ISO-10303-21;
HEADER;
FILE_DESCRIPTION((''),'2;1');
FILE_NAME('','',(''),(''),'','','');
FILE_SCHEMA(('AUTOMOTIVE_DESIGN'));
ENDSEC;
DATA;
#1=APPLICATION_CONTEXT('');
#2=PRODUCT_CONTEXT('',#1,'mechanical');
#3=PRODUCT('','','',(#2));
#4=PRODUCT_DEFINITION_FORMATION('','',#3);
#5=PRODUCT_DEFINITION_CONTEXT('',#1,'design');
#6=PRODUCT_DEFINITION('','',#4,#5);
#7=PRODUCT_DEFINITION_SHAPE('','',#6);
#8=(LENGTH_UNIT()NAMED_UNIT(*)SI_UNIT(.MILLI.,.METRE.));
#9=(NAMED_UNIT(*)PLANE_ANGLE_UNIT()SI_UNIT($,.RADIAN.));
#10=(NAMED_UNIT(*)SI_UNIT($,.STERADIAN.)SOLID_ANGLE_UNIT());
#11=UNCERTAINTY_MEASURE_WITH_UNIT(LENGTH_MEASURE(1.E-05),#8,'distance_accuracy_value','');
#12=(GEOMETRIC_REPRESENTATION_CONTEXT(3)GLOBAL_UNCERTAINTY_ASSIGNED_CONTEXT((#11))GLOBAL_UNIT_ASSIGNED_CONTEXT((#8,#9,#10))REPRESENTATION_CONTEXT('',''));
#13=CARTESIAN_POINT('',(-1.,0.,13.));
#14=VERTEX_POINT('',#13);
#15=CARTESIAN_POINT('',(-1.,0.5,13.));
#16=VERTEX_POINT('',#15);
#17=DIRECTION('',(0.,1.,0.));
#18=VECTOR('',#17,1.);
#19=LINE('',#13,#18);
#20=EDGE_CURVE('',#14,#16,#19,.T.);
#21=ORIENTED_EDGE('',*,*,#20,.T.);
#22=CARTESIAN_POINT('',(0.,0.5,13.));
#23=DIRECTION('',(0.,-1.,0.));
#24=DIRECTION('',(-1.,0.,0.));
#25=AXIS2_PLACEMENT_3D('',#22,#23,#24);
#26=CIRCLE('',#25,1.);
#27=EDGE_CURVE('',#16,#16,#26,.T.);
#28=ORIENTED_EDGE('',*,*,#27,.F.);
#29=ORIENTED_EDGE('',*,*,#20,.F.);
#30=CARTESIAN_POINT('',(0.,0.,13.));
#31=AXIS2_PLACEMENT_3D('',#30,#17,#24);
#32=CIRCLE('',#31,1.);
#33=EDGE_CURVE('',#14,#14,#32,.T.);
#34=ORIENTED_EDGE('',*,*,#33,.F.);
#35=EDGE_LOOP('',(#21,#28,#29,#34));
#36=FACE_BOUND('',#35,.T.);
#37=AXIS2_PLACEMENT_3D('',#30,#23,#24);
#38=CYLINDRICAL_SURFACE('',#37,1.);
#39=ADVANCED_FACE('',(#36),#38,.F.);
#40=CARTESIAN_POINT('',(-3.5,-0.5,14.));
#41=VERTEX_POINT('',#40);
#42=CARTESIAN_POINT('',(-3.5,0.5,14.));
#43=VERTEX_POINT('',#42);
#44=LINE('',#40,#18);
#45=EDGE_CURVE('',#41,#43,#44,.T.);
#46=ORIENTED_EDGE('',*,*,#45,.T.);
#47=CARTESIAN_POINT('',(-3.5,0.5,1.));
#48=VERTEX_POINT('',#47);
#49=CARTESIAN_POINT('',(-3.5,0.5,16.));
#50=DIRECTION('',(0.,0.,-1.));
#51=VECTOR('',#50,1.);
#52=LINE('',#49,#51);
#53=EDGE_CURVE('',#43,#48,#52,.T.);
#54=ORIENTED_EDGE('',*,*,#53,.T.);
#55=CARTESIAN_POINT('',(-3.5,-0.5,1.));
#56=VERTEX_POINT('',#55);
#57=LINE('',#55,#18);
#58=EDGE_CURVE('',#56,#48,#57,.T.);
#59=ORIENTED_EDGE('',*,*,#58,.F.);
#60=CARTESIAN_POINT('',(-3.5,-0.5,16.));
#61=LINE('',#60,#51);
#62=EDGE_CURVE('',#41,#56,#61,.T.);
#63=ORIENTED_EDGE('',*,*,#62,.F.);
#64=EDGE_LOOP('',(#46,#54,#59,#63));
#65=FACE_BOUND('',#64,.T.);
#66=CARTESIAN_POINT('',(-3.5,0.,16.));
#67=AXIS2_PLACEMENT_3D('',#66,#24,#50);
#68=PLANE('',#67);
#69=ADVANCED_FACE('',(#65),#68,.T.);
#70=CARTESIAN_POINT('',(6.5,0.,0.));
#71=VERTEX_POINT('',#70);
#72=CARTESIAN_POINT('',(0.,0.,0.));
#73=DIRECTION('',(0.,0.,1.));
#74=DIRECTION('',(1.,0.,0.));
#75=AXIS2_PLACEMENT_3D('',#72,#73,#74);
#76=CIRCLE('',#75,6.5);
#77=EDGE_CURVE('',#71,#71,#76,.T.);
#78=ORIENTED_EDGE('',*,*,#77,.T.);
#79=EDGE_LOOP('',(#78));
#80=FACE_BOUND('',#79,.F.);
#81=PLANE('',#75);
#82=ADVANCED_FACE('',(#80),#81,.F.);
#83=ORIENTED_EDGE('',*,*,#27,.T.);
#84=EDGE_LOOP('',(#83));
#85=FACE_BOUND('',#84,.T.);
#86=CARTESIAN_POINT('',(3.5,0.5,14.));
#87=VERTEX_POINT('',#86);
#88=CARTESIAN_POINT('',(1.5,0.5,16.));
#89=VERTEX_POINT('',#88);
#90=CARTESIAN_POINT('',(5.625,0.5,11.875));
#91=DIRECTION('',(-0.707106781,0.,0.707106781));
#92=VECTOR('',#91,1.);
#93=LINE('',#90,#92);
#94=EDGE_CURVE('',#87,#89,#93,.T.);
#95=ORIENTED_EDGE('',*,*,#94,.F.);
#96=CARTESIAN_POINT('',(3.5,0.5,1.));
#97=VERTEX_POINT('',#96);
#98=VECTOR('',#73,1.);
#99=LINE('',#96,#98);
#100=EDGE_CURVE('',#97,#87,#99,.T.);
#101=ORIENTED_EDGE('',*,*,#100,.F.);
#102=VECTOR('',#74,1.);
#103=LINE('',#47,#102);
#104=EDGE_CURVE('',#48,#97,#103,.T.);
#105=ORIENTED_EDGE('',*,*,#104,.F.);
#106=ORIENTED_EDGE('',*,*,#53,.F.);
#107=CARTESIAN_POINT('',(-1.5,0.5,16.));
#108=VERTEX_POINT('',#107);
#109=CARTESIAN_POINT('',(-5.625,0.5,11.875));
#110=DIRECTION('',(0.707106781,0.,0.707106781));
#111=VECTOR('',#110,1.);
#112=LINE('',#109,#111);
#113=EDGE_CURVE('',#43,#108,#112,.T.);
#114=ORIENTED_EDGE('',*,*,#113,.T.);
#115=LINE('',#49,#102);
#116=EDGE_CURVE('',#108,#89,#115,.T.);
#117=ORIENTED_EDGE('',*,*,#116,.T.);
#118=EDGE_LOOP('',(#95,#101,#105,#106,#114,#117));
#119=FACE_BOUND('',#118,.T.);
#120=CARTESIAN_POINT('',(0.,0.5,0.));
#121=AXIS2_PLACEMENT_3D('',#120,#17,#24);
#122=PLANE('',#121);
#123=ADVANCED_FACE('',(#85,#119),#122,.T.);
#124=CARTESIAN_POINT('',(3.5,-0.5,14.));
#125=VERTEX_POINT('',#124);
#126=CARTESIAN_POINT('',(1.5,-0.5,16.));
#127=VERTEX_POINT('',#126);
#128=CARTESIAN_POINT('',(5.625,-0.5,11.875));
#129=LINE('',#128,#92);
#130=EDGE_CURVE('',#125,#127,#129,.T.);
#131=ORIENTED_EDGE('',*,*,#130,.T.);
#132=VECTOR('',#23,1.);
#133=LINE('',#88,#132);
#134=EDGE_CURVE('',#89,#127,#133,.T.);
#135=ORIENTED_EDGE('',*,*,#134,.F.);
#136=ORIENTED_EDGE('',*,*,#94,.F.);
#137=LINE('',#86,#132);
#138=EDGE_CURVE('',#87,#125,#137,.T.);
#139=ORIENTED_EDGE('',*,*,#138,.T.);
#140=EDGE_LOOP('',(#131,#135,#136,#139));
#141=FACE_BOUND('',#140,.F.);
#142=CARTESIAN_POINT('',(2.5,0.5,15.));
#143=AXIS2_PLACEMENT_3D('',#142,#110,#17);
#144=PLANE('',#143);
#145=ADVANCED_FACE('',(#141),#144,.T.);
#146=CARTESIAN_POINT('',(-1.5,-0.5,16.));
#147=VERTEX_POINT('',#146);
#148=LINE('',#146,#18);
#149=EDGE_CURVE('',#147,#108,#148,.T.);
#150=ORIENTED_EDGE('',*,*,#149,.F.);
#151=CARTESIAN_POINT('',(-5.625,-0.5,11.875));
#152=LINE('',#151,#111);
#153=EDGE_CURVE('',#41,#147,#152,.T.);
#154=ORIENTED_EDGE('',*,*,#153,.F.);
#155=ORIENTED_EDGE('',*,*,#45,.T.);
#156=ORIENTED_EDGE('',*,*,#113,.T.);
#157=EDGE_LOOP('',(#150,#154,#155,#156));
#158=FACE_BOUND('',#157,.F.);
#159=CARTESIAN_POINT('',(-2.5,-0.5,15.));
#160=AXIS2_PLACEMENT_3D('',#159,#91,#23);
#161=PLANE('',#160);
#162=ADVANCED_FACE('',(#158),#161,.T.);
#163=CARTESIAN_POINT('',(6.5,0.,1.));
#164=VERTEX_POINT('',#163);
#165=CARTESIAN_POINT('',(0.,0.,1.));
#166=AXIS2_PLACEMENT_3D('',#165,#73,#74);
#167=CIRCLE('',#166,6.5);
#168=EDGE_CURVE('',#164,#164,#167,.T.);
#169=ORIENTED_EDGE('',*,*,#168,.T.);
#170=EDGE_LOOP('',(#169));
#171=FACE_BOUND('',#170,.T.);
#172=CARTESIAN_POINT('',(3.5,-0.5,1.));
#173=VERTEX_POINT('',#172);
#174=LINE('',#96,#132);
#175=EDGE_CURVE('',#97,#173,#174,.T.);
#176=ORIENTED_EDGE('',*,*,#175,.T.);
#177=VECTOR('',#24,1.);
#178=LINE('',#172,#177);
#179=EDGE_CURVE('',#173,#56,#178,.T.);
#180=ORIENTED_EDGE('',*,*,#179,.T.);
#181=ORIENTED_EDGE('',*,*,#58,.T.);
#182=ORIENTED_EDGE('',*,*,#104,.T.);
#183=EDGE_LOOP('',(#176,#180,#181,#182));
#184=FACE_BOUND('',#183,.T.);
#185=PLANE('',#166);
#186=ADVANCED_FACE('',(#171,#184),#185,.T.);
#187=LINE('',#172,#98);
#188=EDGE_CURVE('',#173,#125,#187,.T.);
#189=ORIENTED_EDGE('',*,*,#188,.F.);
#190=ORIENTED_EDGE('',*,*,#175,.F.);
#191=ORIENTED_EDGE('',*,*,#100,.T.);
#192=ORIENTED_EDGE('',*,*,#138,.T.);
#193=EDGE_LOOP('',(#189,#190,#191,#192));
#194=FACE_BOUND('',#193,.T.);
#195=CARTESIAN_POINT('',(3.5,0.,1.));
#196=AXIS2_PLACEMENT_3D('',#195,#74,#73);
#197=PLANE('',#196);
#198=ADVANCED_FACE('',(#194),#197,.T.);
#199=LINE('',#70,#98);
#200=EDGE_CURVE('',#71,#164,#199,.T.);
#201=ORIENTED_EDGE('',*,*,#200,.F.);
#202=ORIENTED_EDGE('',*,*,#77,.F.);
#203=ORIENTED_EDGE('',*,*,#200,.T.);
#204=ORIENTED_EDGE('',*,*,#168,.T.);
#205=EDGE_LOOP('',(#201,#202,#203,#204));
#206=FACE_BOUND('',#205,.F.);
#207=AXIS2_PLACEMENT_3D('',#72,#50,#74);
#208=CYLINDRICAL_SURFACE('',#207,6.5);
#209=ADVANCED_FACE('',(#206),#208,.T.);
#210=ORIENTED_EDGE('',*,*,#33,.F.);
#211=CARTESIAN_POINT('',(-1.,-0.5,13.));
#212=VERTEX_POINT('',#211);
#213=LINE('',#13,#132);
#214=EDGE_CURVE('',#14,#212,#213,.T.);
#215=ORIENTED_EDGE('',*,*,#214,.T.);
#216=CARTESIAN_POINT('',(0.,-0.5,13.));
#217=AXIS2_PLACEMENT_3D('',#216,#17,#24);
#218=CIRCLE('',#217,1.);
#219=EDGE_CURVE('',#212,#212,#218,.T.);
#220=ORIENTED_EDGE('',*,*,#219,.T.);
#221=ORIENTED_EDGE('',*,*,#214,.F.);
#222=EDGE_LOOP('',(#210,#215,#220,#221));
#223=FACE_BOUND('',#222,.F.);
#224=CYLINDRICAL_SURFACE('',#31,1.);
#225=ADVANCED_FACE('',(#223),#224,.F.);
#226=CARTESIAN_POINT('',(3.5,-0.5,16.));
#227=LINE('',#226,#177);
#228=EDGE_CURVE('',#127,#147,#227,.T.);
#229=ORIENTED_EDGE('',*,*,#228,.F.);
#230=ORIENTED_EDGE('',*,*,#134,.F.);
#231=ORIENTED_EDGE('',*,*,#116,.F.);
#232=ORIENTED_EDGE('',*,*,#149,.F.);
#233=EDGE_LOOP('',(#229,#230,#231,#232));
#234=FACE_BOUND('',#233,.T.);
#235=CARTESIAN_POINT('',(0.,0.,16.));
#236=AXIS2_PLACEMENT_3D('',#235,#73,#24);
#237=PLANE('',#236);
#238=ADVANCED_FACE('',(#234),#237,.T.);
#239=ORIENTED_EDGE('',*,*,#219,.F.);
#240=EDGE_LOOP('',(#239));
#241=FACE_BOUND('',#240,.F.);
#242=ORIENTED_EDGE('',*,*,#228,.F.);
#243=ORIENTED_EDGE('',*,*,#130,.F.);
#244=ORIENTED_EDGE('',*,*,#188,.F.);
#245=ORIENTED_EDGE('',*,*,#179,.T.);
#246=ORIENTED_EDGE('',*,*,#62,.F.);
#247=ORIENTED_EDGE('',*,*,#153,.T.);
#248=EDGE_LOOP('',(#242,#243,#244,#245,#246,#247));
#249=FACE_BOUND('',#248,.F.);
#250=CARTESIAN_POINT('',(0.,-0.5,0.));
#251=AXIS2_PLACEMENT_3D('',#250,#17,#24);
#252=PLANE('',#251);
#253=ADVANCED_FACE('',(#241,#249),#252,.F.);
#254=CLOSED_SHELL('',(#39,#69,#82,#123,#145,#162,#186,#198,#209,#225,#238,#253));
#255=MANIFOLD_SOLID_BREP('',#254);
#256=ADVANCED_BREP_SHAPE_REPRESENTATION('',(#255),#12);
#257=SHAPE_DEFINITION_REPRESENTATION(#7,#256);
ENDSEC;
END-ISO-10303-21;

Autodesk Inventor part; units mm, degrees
ref_plane "YZ Plane" through (0, 0, 0) normal (1, 0, 0) x (0, 1, 0)
ref_plane "XZ Plane" through (0, 0, 0) normal (0, 1, 0) x (-1, 0, 0)
ref_plane "XY Plane" through (0, 0, 0) normal (0, 0, 1) x (1, 0, 0)
sketch "Skizze1" plane through (0, 0, 0) normal (0, 0, 1) x (1, 0, 0)
  circle A0 centre (0, 0) radius 6.5
  dimension "d11" = 13
extrude "Extrusion1" add sketch "Skizze1" along normal blind 1
sketch "Skizze2" plane through (0, 0, 0) normal (0, 1, 0) x (-1, 0, 0)
  line L0 (6.5, 1) -> (-6.5, 1) projected
  line L1 (3.5, 1) -> (-3.5, 1)
  line L2 (-3.5, 1) -> (-3.5, 16)
  line L3 (-3.5, 16) -> (3.5, 16)
  line L4 (3.5, 16) -> (3.5, 1)
  line L5 (0, -1) -> (0, 20) projected
  circle A0 centre (0, 13) radius 1
  line L6 (6.5, 0) -> (-6.5, 0) projected
  point P0 (-3.5, 1)
  dimension "d2" = 15
  dimension "d3" = 7
  dimension "d4" = 2
  dimension "d5" = 3
  dimension "d12" = 13
extrude "Extrusion2" add sketch "Skizze2" along normal mid plane 1 contours L0 L5 A0 L3 L4 | L0 L2 L3 L5 A0
chamfer "Fase1" distance 2 angle 45 2 edges at (3.5, 0, 16) (-3.5, 0, 16)
properties part number "Deckel"
